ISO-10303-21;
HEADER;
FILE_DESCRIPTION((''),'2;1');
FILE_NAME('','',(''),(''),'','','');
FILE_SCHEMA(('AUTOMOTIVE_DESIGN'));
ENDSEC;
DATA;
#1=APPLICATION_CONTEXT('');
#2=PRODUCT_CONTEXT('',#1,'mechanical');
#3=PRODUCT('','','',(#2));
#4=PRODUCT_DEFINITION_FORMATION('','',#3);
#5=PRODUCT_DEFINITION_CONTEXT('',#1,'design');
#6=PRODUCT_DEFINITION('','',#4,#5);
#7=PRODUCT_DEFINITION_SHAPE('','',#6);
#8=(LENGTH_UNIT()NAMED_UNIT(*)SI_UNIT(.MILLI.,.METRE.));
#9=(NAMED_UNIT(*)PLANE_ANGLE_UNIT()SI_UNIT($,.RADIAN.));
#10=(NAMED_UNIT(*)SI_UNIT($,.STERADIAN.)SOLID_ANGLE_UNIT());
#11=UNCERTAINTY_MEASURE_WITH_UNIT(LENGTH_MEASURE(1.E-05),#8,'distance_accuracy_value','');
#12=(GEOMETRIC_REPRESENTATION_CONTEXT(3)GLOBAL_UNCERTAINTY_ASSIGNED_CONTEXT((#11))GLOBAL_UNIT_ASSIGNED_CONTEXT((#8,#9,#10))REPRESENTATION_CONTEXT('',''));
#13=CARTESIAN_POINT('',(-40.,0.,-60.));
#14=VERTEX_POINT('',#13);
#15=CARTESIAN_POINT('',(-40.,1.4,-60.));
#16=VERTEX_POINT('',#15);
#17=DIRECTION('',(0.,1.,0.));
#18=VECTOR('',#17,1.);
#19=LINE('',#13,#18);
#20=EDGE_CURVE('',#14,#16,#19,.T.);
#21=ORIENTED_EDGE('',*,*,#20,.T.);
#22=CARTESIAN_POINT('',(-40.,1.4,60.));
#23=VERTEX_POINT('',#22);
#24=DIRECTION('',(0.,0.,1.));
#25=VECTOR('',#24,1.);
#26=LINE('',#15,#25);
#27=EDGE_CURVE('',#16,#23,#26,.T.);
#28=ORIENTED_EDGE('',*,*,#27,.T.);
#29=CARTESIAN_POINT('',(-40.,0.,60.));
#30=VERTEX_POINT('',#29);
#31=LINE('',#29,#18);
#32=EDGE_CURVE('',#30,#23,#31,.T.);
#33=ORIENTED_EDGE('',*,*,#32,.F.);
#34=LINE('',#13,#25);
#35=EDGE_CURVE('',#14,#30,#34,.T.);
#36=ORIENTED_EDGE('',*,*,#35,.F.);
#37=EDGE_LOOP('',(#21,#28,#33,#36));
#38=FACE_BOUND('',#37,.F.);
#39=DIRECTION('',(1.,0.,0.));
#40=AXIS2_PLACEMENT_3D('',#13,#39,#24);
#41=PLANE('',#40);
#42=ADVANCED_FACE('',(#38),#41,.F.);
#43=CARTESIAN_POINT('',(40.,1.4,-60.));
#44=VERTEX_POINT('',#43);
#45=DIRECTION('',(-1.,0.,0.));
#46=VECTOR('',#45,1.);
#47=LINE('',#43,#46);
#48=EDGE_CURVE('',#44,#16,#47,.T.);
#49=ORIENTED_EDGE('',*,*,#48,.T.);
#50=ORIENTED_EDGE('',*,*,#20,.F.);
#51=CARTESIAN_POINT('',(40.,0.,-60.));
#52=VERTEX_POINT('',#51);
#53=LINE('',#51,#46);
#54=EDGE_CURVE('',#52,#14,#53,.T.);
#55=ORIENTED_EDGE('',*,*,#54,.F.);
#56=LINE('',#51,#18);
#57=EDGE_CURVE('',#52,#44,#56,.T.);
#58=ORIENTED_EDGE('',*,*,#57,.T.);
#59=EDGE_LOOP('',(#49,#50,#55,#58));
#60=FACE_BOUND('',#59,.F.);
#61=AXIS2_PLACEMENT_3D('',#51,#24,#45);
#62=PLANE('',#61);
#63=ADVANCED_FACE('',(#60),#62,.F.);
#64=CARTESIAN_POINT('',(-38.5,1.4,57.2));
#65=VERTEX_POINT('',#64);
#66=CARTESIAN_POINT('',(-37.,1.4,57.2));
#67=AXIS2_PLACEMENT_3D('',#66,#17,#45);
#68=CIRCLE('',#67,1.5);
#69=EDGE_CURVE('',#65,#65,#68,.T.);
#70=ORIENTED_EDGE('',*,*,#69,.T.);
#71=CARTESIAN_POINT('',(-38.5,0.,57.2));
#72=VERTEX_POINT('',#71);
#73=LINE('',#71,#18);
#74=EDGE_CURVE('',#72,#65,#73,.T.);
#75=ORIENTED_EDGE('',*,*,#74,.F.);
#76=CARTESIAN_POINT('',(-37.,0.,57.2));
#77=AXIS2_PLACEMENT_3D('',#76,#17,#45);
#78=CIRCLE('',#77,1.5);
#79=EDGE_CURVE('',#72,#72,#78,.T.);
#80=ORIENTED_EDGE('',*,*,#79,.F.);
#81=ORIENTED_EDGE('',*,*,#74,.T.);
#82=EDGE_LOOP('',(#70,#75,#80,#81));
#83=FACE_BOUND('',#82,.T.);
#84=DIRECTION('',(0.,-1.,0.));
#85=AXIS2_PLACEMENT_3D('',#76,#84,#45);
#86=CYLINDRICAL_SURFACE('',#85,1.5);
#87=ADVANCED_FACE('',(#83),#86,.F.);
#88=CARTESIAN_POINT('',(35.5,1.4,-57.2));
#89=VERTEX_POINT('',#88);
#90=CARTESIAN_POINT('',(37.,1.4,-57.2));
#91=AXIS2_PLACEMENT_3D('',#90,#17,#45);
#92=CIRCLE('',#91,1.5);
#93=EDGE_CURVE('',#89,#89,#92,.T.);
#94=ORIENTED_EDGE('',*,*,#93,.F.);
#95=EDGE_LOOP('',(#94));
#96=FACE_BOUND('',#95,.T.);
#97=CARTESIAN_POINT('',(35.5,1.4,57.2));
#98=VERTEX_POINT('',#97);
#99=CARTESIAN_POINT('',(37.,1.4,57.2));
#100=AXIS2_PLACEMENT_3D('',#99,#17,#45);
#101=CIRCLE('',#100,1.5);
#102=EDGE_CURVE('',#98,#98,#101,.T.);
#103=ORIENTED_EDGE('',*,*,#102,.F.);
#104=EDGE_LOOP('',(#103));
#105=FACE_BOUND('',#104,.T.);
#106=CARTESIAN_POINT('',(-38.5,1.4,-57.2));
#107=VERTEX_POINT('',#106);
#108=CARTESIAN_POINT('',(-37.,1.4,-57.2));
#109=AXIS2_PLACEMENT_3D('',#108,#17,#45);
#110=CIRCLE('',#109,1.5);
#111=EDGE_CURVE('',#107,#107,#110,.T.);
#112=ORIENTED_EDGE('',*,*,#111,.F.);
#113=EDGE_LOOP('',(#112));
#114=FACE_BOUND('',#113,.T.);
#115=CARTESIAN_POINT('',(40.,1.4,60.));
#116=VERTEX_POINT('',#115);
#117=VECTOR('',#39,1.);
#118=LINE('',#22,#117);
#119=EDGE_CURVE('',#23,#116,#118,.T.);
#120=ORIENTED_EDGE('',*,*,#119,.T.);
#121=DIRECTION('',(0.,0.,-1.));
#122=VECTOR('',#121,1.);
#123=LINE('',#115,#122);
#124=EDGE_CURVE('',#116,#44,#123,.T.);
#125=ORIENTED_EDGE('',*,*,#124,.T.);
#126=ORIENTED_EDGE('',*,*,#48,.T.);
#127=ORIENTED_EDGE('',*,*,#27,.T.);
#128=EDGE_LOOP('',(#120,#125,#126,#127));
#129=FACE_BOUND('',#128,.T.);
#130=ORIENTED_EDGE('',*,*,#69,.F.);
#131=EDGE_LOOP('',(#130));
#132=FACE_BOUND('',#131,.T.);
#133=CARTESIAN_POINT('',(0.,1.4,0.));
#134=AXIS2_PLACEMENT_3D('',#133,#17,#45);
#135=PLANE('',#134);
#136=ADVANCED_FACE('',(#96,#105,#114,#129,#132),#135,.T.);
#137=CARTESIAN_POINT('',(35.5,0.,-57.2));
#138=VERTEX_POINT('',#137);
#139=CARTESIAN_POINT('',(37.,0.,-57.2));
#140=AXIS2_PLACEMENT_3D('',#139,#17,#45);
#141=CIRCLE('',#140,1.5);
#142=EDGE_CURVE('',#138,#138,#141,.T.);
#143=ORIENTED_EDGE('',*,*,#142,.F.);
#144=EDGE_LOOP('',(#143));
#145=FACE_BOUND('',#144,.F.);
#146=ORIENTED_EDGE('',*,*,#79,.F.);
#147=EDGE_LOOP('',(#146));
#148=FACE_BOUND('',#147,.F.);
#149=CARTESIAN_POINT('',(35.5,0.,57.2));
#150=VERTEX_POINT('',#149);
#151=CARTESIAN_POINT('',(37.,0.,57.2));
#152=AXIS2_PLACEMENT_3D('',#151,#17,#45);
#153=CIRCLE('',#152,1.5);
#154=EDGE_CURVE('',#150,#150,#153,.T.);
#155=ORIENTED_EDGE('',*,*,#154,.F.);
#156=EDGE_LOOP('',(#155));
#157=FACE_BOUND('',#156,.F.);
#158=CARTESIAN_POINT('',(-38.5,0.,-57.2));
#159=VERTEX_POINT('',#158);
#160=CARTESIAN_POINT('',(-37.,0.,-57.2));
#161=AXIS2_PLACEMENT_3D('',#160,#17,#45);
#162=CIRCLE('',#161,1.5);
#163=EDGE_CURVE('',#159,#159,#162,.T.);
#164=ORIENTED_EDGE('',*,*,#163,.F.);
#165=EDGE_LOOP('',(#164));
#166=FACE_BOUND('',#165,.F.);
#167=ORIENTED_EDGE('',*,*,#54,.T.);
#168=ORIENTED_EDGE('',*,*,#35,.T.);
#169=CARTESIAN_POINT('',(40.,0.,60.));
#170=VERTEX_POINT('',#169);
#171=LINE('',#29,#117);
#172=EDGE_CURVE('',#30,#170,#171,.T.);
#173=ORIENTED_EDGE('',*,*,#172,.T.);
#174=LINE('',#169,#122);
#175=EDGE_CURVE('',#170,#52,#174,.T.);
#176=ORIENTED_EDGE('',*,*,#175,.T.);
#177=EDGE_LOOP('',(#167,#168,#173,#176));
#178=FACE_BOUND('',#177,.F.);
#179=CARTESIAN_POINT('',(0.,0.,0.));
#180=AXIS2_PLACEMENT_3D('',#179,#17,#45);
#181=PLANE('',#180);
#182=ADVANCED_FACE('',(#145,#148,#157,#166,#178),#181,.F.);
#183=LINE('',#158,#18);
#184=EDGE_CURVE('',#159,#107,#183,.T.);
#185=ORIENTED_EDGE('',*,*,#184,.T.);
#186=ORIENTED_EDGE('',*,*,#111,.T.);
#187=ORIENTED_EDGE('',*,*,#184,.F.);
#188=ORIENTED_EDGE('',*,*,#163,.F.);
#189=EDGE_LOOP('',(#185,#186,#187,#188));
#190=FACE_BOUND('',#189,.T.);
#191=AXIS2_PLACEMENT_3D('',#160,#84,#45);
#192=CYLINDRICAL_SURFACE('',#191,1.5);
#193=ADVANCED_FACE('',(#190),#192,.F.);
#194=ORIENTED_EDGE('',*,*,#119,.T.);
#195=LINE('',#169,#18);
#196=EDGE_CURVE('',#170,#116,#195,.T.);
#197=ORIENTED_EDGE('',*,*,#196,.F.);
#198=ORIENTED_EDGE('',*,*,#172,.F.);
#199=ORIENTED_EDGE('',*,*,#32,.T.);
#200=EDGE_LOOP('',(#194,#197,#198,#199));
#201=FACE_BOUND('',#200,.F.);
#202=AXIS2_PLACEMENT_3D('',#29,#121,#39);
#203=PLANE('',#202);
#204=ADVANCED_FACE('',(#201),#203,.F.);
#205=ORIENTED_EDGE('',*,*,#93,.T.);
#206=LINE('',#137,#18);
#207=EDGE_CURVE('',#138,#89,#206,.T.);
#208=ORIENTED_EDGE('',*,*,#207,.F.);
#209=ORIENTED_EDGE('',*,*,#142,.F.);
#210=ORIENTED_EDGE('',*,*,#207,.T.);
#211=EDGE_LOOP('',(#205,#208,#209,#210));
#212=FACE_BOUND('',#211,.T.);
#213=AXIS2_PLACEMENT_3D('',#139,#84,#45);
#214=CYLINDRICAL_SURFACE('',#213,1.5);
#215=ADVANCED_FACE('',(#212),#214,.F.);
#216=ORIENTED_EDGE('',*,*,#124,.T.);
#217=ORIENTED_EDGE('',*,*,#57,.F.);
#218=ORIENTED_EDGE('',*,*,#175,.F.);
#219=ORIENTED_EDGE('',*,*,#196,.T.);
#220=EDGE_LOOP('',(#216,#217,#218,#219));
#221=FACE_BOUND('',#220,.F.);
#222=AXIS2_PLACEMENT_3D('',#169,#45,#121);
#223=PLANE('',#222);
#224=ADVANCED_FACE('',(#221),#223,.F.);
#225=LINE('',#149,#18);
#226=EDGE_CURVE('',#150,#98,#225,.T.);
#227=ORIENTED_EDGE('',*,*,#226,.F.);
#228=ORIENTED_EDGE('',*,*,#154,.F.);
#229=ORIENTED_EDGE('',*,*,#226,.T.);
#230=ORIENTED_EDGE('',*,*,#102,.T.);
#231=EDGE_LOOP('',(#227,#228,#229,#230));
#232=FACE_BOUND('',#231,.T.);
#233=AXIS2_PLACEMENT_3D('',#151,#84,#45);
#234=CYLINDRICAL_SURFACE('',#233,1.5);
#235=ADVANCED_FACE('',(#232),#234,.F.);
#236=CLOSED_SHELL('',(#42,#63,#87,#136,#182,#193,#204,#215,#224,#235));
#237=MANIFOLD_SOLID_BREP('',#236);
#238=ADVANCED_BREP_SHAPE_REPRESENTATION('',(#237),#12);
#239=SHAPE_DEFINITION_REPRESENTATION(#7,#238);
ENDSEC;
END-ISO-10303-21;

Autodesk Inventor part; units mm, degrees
ref_plane "YZ Plane" through (0, 0, 0) normal (1, 0, 0) x (0, 1, 0)
ref_plane "XZ Plane" through (0, 0, 0) normal (0, 1, 0) x (-1, 0, 0)
ref_plane "XY Plane" through (0, 0, 0) normal (0, 0, 1) x (1, 0, 0)
sketch "Эскиз1" plane through (0, 0, 0) normal (0, 1, 0) x (-1, 0, 0)
  line L0 (40, 60) -> (-40, 60)
  line L1 (-40, 60) -> (-40, -60)
  line L2 (-40, -60) -> (40, -60)
  line L3 (40, -60) -> (40, 60)
  line L4 (40, 0) -> (-40, 0) construction
  line L5 (0, 60) -> (0, -60) construction
  line L6 (40, 60) -> (37, 60) construction
  line L7 (40, 57) -> (40, 60) construction
  line L8 (40, 57.2) -> (40, -57.2) construction
  line L9 (40, 57.2) -> (37, 57.2) construction
  line L10 (53.0108, 0) -> (-51.4211, 0) construction
  line L11 (0, 75.3186) -> (0, -88.6188) construction
  circle A0 centre (37, 57.2) radius 1.5
  circle A1 centre (37, -57.2) radius 1.5
  circle A2 centre (-37, 57.2) radius 1.5
  circle A3 centre (-37, -57.2) radius 1.5
  point P0 (0, 0)
  point P1 (0, 0)
  point P2 (56.9303, -23.4668)
  dimension "d0" = 80
  dimension "d1" = 120
  dimension "d5" = 3
  dimension "d6" = 3
extrude "Выдавливание1" add sketch "Эскиз1" along normal blind 1.4
properties part number "board"
